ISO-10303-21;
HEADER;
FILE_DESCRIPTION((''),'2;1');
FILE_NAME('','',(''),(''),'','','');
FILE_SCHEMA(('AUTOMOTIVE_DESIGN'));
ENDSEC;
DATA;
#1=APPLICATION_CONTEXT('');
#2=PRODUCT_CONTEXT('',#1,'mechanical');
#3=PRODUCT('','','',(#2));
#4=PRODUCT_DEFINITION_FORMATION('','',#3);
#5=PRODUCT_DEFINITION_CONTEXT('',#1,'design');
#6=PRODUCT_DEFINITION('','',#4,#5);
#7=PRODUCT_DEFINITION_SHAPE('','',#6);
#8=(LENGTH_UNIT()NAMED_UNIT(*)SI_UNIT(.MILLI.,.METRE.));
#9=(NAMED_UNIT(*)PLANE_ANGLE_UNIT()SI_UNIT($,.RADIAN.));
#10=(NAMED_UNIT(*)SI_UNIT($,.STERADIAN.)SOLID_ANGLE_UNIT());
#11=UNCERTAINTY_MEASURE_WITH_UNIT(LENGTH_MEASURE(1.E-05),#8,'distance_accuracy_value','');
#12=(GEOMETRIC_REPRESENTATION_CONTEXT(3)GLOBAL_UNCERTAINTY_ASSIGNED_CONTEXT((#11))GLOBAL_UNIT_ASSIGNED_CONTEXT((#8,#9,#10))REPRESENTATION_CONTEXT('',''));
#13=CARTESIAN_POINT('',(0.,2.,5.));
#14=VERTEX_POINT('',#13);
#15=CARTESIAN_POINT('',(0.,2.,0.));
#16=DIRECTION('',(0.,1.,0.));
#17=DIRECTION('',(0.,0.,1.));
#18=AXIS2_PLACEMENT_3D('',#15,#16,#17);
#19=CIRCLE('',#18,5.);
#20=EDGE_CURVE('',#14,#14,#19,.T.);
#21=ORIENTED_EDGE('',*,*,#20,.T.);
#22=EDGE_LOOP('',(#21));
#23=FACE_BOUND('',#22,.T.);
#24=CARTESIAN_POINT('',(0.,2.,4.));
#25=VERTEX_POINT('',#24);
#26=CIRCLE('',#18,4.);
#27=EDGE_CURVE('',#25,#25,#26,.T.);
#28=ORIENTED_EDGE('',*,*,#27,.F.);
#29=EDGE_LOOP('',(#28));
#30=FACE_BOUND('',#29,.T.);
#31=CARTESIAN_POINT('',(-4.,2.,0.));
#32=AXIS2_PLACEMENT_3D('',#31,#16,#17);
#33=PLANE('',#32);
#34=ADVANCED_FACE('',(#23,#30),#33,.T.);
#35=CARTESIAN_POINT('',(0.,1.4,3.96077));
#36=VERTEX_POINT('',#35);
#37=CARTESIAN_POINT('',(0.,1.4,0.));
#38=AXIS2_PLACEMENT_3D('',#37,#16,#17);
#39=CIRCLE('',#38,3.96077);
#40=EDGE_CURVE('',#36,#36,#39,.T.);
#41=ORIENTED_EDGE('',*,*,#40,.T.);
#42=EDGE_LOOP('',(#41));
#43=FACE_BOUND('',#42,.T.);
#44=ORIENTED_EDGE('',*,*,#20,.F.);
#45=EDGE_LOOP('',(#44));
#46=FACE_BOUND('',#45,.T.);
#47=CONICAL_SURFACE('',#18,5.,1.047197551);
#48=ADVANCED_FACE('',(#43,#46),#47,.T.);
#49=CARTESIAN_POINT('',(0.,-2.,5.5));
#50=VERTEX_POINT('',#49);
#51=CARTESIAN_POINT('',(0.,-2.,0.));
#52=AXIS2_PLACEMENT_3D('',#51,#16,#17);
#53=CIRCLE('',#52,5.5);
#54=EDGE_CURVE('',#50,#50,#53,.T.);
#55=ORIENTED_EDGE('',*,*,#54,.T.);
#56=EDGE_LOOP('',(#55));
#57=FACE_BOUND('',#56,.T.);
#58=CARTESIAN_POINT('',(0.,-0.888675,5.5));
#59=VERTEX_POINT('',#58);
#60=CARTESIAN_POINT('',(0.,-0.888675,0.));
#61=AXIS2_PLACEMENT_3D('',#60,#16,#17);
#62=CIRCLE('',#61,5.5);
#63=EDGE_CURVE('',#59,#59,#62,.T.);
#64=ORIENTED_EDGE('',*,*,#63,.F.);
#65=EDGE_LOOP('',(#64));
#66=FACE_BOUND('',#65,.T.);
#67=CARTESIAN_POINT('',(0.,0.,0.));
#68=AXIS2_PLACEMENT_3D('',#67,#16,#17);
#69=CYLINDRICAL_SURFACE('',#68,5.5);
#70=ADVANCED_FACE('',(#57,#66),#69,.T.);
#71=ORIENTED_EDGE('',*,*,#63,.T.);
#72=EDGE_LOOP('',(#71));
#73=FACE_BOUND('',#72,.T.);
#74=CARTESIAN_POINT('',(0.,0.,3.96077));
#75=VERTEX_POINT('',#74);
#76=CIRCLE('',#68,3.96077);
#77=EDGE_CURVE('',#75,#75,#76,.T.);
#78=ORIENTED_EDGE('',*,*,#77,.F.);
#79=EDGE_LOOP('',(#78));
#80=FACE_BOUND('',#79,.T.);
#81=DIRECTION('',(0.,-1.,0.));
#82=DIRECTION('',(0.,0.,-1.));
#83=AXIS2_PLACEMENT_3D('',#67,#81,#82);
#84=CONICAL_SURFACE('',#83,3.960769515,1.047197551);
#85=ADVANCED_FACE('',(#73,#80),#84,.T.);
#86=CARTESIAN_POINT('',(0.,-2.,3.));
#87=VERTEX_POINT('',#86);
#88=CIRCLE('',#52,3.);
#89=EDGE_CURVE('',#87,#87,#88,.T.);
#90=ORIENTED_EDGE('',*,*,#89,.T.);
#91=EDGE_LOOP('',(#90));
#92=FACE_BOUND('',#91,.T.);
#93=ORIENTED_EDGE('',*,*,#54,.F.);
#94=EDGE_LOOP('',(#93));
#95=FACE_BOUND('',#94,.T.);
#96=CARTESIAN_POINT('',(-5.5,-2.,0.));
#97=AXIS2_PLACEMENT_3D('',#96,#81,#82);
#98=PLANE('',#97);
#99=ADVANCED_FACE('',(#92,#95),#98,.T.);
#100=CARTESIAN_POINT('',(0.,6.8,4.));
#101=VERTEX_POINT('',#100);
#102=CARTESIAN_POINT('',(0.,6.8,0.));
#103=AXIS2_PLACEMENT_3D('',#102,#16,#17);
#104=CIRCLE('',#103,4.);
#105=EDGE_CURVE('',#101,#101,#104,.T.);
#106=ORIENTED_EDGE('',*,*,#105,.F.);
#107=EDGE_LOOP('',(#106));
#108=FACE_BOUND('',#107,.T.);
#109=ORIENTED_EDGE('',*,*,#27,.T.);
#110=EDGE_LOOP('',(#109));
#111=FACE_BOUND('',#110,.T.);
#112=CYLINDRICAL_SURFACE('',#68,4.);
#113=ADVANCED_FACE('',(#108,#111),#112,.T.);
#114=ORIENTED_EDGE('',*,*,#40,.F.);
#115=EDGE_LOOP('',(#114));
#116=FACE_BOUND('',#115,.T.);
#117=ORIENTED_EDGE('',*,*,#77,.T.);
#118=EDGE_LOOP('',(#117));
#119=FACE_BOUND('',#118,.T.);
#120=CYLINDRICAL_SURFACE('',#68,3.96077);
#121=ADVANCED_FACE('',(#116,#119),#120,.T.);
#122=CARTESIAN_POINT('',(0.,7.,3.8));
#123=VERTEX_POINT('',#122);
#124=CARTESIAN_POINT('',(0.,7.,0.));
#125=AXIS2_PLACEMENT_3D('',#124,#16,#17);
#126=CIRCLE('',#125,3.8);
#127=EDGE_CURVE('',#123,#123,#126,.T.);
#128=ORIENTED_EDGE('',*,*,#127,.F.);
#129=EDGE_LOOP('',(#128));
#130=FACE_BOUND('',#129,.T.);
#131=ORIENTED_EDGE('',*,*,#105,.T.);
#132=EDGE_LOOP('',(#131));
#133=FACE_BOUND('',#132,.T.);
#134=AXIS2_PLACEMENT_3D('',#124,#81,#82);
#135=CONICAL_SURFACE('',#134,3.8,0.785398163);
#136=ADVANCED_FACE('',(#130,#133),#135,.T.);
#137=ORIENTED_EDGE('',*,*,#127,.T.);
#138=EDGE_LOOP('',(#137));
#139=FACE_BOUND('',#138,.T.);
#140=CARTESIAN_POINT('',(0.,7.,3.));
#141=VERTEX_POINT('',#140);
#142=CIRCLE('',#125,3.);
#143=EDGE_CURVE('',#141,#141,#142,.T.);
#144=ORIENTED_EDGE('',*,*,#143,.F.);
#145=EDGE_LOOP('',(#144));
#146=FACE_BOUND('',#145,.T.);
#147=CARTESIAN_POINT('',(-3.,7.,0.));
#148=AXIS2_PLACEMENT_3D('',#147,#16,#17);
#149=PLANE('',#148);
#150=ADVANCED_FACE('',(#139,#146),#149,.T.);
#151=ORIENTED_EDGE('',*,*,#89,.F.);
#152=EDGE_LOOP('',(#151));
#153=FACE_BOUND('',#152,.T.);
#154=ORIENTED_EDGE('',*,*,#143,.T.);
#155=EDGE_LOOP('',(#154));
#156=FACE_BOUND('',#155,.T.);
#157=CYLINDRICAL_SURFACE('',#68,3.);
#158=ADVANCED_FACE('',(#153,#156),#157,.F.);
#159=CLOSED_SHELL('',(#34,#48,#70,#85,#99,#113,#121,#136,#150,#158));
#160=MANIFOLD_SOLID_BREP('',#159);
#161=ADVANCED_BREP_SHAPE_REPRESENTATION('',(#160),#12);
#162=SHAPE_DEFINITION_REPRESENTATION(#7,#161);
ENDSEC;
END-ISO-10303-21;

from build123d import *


with BuildPart() as part:
    # Sketch1 → Revolve1 (revolve)
    with BuildSketch(Plane.XY):
        Polygon((-3, 7), (-3.8, 7), (-4, 6.8), (-4, 2), (-5, 2), (-3.960769515, 1.4), (-3.960769515, 0), (-5.5, -0.888675135), (-5.5, -2), (-3, -2), align=None)
    revolve(axis=Axis((0, 0, 0), (0, -1, 0)))


solid = part.part
